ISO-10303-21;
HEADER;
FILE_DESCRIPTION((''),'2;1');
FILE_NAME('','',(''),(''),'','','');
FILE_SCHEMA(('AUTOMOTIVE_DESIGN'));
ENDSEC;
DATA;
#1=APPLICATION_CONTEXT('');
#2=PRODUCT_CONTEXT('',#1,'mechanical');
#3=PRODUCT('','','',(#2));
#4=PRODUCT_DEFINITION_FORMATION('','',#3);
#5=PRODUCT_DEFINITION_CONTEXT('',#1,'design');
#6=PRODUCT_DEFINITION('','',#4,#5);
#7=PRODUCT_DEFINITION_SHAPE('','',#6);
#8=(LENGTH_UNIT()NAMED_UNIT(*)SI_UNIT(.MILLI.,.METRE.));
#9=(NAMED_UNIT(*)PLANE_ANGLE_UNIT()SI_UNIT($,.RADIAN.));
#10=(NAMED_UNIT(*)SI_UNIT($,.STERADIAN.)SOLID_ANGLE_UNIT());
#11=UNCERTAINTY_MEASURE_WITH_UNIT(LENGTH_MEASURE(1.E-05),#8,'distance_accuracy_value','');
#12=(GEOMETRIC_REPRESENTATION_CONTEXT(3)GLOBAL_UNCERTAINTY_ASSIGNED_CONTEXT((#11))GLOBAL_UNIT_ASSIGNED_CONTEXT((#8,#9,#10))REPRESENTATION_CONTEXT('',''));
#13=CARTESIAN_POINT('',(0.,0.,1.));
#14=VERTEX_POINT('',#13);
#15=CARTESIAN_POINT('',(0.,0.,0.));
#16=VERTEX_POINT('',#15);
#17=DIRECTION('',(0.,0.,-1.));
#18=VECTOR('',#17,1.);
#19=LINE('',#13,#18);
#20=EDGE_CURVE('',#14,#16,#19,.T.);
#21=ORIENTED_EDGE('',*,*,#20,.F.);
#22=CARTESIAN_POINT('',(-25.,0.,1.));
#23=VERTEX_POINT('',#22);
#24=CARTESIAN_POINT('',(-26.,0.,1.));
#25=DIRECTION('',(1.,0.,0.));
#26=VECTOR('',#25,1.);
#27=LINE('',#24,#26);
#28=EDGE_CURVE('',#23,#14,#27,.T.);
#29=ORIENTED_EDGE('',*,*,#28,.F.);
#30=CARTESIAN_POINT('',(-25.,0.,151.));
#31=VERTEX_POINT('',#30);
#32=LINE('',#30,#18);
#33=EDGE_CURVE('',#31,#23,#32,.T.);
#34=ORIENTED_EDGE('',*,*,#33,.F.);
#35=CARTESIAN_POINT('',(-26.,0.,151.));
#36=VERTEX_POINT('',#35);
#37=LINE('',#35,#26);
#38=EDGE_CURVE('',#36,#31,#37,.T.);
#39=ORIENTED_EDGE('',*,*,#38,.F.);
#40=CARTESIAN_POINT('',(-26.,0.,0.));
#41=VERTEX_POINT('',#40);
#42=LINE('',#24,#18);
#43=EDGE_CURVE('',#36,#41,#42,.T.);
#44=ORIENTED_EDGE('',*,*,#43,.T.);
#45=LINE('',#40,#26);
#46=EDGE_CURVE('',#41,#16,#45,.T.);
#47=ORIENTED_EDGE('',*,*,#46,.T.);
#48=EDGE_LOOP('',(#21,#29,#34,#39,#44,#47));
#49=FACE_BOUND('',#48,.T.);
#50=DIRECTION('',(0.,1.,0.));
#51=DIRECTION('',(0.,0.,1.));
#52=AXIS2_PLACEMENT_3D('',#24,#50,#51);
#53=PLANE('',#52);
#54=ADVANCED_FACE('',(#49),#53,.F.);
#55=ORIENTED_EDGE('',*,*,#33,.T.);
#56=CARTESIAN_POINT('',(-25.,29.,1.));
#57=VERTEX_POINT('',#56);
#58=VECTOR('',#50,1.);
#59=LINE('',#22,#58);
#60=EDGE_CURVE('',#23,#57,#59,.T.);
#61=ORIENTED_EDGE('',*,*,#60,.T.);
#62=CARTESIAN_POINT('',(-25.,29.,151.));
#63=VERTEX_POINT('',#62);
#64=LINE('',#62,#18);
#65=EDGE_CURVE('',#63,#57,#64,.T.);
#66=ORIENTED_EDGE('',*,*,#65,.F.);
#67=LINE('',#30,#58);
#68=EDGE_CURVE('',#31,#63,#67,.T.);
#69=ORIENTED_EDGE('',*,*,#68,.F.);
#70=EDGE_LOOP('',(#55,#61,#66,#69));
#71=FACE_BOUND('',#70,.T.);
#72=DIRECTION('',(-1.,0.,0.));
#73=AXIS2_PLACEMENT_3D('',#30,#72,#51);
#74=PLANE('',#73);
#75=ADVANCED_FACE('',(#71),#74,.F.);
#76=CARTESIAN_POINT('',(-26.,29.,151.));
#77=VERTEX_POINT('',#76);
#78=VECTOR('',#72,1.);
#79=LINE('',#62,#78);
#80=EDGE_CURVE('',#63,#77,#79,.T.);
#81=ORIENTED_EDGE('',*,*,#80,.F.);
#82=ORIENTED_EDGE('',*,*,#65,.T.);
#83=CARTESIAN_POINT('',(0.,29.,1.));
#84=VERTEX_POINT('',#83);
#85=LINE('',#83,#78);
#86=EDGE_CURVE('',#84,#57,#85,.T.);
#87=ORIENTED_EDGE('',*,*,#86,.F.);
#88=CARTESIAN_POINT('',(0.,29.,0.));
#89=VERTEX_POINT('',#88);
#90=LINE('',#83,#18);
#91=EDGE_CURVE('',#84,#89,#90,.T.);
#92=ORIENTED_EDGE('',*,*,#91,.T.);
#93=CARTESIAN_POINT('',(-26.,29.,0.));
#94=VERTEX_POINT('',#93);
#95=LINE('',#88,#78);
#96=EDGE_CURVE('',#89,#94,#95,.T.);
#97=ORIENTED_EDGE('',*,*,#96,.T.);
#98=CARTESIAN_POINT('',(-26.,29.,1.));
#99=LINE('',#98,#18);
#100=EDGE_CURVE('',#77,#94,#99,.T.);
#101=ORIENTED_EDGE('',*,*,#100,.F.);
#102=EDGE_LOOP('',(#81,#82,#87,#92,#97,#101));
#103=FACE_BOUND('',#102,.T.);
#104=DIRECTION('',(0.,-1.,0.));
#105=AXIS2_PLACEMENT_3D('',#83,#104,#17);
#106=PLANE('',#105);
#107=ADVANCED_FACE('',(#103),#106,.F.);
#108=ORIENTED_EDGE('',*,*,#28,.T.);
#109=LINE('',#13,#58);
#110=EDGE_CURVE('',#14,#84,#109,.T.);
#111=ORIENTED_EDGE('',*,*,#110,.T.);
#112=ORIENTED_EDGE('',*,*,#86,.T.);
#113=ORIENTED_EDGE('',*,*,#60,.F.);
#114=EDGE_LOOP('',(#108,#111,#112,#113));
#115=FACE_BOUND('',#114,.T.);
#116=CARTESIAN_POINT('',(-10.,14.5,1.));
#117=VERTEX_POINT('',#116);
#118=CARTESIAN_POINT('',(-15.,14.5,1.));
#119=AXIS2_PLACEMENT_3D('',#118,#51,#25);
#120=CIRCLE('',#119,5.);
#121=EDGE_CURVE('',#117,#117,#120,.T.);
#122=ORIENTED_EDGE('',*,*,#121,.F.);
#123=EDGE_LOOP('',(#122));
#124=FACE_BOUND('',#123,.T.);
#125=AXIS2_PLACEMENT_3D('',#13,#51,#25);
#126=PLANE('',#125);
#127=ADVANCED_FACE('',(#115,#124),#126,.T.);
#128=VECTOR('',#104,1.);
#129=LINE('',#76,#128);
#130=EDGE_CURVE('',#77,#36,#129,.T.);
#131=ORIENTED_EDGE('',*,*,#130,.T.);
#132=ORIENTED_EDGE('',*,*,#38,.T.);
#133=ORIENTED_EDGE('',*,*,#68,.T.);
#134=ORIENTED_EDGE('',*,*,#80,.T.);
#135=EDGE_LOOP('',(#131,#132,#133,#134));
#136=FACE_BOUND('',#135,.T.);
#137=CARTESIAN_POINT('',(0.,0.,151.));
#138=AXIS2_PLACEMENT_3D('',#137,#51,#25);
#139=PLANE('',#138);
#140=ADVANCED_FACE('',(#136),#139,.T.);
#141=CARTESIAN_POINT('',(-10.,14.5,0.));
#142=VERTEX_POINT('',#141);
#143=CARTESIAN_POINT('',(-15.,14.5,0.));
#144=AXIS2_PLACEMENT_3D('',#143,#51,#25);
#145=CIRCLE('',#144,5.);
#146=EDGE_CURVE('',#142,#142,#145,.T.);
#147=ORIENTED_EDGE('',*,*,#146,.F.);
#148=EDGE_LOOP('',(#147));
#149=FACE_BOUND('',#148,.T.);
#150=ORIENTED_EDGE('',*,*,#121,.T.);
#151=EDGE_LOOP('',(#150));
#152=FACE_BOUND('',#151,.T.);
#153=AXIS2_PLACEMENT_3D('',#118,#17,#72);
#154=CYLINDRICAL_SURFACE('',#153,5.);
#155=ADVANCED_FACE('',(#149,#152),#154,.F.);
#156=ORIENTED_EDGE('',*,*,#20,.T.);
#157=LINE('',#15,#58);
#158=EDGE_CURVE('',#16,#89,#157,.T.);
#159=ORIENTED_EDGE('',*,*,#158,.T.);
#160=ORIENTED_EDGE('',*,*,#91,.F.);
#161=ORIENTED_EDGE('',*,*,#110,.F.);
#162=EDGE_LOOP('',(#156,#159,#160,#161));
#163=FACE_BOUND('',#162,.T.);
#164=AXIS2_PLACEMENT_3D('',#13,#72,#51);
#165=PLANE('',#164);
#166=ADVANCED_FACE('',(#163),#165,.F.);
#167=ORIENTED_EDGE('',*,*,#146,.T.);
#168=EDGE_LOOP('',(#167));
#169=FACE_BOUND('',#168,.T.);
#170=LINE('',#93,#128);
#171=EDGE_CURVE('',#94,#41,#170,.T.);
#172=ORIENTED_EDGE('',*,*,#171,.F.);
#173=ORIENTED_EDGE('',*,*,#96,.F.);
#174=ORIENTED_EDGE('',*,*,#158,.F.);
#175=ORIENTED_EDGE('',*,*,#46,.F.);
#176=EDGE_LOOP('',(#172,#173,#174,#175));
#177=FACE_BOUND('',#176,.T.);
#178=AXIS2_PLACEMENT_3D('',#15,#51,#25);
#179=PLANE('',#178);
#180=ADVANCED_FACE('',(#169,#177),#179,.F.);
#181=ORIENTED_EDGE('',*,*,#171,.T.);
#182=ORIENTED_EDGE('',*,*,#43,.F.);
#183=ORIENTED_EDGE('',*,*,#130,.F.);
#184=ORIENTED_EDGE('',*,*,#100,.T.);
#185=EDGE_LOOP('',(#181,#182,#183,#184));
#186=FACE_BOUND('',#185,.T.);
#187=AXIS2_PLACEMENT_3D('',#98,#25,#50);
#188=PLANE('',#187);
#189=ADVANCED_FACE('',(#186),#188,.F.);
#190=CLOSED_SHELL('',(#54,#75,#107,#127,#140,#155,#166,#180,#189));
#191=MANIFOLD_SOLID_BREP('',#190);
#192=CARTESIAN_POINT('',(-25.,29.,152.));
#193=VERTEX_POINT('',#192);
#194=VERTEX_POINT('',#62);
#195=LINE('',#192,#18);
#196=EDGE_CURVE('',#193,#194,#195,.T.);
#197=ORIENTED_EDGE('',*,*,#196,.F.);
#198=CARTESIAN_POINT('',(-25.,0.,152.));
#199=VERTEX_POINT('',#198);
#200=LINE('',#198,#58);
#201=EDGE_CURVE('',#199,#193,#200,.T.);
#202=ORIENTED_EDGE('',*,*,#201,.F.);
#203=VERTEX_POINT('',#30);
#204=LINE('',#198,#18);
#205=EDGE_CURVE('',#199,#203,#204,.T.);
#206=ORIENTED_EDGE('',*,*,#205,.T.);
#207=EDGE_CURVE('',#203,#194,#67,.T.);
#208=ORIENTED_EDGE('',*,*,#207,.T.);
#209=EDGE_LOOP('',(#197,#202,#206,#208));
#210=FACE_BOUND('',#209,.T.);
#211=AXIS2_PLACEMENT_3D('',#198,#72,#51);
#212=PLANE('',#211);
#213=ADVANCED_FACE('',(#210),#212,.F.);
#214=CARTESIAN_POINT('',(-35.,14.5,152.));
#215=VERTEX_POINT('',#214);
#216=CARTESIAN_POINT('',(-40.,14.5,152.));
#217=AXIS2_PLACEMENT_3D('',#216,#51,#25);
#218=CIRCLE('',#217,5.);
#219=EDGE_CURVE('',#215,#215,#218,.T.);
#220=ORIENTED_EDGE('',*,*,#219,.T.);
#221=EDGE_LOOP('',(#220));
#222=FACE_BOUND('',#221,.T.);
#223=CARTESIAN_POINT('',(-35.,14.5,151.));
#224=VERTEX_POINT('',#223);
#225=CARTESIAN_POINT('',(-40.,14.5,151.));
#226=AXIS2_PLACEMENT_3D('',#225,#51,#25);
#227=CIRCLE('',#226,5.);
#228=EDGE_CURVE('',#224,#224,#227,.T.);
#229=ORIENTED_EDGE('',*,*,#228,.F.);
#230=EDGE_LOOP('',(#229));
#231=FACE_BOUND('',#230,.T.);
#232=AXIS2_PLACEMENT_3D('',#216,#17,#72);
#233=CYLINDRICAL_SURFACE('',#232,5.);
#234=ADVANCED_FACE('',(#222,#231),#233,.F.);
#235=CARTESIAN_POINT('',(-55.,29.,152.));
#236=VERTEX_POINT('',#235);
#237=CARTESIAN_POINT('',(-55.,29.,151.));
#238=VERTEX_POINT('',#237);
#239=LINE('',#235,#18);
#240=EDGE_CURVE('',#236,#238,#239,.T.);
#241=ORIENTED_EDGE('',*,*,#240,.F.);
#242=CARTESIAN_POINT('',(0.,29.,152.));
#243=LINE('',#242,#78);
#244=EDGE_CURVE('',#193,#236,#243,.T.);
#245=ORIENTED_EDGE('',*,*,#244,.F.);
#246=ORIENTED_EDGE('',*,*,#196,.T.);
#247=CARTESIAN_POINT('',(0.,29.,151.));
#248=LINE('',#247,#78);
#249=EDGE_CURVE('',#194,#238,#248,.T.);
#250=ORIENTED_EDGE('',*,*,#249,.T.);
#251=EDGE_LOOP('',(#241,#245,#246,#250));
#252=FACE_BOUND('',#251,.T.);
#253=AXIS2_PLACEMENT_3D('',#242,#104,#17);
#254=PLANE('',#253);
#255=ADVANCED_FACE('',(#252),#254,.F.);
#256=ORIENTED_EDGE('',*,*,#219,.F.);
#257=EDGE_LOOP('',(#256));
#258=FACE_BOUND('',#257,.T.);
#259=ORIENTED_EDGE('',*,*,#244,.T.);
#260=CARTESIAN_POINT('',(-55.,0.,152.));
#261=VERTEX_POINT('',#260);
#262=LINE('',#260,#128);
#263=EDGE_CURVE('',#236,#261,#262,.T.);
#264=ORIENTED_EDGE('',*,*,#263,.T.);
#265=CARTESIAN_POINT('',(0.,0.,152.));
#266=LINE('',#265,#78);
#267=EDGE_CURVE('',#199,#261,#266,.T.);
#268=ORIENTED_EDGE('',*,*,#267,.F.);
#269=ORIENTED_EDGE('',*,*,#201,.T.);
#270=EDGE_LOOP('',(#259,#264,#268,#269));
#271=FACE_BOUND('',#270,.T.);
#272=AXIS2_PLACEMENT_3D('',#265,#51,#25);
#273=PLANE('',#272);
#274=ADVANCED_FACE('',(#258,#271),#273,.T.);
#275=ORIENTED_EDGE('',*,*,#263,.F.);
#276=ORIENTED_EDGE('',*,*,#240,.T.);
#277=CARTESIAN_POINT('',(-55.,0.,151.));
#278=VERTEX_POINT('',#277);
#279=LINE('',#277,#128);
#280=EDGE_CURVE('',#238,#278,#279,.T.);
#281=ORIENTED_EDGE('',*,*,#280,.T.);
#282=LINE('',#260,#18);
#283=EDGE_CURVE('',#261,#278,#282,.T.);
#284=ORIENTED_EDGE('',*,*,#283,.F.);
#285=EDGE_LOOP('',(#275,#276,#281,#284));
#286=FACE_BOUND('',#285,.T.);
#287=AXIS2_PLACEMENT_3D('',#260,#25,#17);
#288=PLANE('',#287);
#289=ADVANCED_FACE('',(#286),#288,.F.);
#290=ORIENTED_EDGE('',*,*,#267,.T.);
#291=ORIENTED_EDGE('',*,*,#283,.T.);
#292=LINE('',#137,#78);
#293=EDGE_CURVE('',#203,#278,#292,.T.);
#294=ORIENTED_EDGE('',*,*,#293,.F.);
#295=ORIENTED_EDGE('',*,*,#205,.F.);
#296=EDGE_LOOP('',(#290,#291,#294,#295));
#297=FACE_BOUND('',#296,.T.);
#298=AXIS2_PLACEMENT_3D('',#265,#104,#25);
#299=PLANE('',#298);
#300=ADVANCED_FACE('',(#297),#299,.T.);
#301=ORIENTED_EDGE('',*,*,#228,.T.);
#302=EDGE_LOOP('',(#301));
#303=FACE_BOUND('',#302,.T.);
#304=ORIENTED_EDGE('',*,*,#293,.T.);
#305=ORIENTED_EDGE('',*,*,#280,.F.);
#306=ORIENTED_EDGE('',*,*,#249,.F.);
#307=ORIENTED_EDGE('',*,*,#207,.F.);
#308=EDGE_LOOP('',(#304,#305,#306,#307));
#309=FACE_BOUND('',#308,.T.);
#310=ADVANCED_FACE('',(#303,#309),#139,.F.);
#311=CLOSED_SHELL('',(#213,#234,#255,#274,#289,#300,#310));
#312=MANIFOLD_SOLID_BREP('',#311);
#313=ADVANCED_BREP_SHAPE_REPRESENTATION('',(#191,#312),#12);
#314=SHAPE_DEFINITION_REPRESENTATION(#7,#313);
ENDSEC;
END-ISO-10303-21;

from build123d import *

# Parameters (mm, degrees)
SZKIC1_W                    = 26
SZKIC1_H                    = 29
SZKIC1_R                    = 5
DODANIE_WYCI_GNI_CIE1_DEPTH = 1
SZKIC2_W                    = 1
SZKIC2_H                    = 29
DODANIE_WYCI_GNI_CIE2_DEPTH = 150
SZKIC3_W                    = 29
SZKIC3_H                    = 29
SZKIC3_R                    = 5
SZKIC3_W_2                  = 1
DODANIE_WYCI_GNI_CIE3_DEPTH = 1


with BuildPart() as part:
    # Szkic1 → Dodanie-wyciągnięcie1 (new body)
    with BuildSketch(Plane.XY):
        with Locations((-13, 14.5)):
            Rectangle(SZKIC1_W, SZKIC1_H)
        with Locations((-15, 14.5)):
            Circle(SZKIC1_R, mode=Mode.SUBTRACT)
    extrude(amount=DODANIE_WYCI_GNI_CIE1_DEPTH)

    # Szkic2 → Dodanie-wyciągnięcie2 (add)
    with BuildSketch(Plane.XY.offset(1)):
        with Locations((-25.5, 14.5)):
            Rectangle(SZKIC2_W, SZKIC2_H)
    extrude(amount=DODANIE_WYCI_GNI_CIE2_DEPTH)


with BuildPart() as body_2:
    # Szkic3 → Dodanie-wyciągnięcie3 (new body)
    # profile 1 of 2: a face of its own
    with BuildSketch(Plane.XY.offset(151)):
        with Locations((-40.5, 14.5)):
            Rectangle(SZKIC3_W, SZKIC3_H)
        with Locations((-40, 14.5)):
            Circle(SZKIC3_R, mode=Mode.SUBTRACT)
    # profile 2 of 2: a face of its own
    with BuildSketch(Plane.XY.offset(151)):
        with Locations((-25.5, 14.5)):
            Rectangle(SZKIC3_W_2, SZKIC3_H)
    extrude(amount=DODANIE_WYCI_GNI_CIE3_DEPTH)


solid = Compound([part.part, body_2.part])
